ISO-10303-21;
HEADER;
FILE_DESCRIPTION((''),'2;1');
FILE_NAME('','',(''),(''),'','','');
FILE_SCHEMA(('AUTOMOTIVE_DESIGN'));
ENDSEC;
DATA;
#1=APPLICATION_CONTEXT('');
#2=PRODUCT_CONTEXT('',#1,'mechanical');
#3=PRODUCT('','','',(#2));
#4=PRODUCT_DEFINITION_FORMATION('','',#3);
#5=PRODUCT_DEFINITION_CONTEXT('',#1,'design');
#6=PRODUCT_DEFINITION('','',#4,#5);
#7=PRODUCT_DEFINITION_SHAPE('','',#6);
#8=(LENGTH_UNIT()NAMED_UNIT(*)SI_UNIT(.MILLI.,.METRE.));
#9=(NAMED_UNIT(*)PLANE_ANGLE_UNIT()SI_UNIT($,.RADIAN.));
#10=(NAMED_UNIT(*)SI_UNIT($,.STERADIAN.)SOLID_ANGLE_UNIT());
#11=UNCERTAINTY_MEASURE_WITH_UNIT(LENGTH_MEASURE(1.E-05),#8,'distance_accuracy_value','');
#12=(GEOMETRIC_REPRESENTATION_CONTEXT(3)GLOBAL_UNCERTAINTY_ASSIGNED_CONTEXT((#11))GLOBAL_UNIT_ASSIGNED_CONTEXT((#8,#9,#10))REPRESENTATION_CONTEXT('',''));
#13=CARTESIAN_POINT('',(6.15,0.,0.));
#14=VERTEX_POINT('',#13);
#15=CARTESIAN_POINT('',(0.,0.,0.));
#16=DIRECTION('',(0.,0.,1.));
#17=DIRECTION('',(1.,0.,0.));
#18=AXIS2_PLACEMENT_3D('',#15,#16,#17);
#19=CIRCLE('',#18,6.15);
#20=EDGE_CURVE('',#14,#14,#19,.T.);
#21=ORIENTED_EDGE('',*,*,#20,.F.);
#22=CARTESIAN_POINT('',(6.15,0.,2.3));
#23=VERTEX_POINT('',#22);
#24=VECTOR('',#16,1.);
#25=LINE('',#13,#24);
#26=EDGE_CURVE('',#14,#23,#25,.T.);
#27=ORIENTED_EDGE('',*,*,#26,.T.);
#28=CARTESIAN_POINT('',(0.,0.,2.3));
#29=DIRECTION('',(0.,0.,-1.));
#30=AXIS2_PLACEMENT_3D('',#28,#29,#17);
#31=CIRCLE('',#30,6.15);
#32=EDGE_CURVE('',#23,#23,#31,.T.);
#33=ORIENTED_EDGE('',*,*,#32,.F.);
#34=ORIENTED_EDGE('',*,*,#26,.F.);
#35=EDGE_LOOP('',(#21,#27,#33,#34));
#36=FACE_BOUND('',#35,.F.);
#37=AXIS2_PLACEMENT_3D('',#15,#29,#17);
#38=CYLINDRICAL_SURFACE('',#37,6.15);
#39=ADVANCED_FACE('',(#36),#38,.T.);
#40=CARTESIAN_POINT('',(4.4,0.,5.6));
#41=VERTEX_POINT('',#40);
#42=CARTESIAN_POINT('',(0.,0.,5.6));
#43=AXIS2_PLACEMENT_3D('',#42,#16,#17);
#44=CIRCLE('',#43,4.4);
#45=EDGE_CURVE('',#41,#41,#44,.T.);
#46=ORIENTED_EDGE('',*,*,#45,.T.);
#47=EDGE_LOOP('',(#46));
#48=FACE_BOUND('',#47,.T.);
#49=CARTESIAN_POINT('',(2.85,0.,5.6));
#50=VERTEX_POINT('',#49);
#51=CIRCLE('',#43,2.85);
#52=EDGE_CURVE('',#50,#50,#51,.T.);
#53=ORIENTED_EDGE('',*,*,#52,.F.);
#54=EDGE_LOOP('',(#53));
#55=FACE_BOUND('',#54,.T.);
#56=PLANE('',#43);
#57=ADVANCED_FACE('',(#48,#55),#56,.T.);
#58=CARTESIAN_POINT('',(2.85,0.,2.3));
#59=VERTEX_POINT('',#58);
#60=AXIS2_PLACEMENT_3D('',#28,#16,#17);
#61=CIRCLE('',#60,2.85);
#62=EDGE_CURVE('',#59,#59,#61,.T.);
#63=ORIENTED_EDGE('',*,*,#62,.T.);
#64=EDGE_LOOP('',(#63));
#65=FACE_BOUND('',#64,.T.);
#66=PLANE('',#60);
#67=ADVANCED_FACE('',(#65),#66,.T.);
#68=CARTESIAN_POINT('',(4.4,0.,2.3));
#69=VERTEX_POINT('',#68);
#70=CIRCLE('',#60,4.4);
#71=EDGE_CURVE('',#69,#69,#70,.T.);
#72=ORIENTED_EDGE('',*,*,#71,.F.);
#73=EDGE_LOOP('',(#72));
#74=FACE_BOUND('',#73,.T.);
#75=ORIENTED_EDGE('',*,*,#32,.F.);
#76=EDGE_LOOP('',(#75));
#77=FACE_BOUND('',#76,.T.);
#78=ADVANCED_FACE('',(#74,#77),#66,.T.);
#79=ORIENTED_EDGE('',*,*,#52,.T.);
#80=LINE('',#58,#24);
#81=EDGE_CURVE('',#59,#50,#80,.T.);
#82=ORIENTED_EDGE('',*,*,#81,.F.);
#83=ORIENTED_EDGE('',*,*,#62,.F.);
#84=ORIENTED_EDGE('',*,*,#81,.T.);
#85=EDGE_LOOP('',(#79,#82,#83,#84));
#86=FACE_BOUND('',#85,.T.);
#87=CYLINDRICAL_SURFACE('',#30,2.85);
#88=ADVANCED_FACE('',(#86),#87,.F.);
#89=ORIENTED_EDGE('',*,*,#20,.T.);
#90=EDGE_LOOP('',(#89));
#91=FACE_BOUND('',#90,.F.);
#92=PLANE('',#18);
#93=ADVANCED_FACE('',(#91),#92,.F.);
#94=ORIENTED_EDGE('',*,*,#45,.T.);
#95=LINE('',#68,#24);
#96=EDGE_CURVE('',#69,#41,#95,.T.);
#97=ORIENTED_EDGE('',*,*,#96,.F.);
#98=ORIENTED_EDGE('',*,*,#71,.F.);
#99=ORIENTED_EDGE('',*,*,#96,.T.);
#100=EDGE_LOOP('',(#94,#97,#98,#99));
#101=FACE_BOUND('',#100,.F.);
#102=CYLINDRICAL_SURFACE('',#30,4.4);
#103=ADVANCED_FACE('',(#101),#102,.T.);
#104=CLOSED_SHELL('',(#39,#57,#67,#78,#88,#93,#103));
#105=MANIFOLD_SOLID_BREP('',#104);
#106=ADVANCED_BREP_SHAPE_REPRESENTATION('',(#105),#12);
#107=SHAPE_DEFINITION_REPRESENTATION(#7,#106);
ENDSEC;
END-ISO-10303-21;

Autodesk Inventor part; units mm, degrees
ref_plane "YZ Plane" through (0, 0, 0) normal (1, 0, 0) x (0, 1, 0)
ref_plane "XZ Plane" through (0, 0, 0) normal (0, 1, 0) x (-1, 0, 0)
ref_plane "XY Plane" through (0, 0, 0) normal (0, 0, 1) x (1, 0, 0)
sketch "Sketch1" plane through (0, 0, 0) normal (0, 0, 1) x (1, 0, 0)
  circle A0 centre (0, 0) radius 6.15
  line L0 (-4.2968, 4.4) -> (-16.8146, 2.7257)
  arc A1 (-16.8146, 2.7257) -> (-16.8146, -2.7257) centre (-16.45, 0) ccw
  line L1 (-16.8146, -2.7257) -> (-4.2968, -4.4)
  line L2 (4.2968, -4.4) -> (16.8146, -2.7257)
  arc A2 (16.8146, -2.7257) -> (16.8146, 2.7257) centre (16.45, 0) ccw
  line L3 (16.8146, 2.7257) -> (4.2968, 4.4)
  line L4 (-4.2968, -4.4) -> (4.2968, -4.4) construction
  line L5 (-4.2968, 4.4) -> (4.2968, 4.4) construction
  line L6 (-19.2, 0) -> (19.2, 0) construction
  dimension "d0" = 12.3
  dimension "d1" = 8.8
  dimension "d2" = 38.4
  dimension "d3" = 2.75
extrude "Extrusion1" add sketch "Sketch1" along normal blind 2.3 contours A0
sketch "Sketch2" plane through (0, 0, 2.3) normal (0, 0, 1) x (1, 0, 0)
  circle A0 centre (0, 0) radius 4.4
  circle A1 centre (0, 0) radius 2.85
  dimension "d6" = 8.8
  dimension "d7" = 5.7
extrude "Extrusion2" add sketch "Sketch2" along normal blind 3.3
properties part number "attachment_real" material "Nylon 6/6"
